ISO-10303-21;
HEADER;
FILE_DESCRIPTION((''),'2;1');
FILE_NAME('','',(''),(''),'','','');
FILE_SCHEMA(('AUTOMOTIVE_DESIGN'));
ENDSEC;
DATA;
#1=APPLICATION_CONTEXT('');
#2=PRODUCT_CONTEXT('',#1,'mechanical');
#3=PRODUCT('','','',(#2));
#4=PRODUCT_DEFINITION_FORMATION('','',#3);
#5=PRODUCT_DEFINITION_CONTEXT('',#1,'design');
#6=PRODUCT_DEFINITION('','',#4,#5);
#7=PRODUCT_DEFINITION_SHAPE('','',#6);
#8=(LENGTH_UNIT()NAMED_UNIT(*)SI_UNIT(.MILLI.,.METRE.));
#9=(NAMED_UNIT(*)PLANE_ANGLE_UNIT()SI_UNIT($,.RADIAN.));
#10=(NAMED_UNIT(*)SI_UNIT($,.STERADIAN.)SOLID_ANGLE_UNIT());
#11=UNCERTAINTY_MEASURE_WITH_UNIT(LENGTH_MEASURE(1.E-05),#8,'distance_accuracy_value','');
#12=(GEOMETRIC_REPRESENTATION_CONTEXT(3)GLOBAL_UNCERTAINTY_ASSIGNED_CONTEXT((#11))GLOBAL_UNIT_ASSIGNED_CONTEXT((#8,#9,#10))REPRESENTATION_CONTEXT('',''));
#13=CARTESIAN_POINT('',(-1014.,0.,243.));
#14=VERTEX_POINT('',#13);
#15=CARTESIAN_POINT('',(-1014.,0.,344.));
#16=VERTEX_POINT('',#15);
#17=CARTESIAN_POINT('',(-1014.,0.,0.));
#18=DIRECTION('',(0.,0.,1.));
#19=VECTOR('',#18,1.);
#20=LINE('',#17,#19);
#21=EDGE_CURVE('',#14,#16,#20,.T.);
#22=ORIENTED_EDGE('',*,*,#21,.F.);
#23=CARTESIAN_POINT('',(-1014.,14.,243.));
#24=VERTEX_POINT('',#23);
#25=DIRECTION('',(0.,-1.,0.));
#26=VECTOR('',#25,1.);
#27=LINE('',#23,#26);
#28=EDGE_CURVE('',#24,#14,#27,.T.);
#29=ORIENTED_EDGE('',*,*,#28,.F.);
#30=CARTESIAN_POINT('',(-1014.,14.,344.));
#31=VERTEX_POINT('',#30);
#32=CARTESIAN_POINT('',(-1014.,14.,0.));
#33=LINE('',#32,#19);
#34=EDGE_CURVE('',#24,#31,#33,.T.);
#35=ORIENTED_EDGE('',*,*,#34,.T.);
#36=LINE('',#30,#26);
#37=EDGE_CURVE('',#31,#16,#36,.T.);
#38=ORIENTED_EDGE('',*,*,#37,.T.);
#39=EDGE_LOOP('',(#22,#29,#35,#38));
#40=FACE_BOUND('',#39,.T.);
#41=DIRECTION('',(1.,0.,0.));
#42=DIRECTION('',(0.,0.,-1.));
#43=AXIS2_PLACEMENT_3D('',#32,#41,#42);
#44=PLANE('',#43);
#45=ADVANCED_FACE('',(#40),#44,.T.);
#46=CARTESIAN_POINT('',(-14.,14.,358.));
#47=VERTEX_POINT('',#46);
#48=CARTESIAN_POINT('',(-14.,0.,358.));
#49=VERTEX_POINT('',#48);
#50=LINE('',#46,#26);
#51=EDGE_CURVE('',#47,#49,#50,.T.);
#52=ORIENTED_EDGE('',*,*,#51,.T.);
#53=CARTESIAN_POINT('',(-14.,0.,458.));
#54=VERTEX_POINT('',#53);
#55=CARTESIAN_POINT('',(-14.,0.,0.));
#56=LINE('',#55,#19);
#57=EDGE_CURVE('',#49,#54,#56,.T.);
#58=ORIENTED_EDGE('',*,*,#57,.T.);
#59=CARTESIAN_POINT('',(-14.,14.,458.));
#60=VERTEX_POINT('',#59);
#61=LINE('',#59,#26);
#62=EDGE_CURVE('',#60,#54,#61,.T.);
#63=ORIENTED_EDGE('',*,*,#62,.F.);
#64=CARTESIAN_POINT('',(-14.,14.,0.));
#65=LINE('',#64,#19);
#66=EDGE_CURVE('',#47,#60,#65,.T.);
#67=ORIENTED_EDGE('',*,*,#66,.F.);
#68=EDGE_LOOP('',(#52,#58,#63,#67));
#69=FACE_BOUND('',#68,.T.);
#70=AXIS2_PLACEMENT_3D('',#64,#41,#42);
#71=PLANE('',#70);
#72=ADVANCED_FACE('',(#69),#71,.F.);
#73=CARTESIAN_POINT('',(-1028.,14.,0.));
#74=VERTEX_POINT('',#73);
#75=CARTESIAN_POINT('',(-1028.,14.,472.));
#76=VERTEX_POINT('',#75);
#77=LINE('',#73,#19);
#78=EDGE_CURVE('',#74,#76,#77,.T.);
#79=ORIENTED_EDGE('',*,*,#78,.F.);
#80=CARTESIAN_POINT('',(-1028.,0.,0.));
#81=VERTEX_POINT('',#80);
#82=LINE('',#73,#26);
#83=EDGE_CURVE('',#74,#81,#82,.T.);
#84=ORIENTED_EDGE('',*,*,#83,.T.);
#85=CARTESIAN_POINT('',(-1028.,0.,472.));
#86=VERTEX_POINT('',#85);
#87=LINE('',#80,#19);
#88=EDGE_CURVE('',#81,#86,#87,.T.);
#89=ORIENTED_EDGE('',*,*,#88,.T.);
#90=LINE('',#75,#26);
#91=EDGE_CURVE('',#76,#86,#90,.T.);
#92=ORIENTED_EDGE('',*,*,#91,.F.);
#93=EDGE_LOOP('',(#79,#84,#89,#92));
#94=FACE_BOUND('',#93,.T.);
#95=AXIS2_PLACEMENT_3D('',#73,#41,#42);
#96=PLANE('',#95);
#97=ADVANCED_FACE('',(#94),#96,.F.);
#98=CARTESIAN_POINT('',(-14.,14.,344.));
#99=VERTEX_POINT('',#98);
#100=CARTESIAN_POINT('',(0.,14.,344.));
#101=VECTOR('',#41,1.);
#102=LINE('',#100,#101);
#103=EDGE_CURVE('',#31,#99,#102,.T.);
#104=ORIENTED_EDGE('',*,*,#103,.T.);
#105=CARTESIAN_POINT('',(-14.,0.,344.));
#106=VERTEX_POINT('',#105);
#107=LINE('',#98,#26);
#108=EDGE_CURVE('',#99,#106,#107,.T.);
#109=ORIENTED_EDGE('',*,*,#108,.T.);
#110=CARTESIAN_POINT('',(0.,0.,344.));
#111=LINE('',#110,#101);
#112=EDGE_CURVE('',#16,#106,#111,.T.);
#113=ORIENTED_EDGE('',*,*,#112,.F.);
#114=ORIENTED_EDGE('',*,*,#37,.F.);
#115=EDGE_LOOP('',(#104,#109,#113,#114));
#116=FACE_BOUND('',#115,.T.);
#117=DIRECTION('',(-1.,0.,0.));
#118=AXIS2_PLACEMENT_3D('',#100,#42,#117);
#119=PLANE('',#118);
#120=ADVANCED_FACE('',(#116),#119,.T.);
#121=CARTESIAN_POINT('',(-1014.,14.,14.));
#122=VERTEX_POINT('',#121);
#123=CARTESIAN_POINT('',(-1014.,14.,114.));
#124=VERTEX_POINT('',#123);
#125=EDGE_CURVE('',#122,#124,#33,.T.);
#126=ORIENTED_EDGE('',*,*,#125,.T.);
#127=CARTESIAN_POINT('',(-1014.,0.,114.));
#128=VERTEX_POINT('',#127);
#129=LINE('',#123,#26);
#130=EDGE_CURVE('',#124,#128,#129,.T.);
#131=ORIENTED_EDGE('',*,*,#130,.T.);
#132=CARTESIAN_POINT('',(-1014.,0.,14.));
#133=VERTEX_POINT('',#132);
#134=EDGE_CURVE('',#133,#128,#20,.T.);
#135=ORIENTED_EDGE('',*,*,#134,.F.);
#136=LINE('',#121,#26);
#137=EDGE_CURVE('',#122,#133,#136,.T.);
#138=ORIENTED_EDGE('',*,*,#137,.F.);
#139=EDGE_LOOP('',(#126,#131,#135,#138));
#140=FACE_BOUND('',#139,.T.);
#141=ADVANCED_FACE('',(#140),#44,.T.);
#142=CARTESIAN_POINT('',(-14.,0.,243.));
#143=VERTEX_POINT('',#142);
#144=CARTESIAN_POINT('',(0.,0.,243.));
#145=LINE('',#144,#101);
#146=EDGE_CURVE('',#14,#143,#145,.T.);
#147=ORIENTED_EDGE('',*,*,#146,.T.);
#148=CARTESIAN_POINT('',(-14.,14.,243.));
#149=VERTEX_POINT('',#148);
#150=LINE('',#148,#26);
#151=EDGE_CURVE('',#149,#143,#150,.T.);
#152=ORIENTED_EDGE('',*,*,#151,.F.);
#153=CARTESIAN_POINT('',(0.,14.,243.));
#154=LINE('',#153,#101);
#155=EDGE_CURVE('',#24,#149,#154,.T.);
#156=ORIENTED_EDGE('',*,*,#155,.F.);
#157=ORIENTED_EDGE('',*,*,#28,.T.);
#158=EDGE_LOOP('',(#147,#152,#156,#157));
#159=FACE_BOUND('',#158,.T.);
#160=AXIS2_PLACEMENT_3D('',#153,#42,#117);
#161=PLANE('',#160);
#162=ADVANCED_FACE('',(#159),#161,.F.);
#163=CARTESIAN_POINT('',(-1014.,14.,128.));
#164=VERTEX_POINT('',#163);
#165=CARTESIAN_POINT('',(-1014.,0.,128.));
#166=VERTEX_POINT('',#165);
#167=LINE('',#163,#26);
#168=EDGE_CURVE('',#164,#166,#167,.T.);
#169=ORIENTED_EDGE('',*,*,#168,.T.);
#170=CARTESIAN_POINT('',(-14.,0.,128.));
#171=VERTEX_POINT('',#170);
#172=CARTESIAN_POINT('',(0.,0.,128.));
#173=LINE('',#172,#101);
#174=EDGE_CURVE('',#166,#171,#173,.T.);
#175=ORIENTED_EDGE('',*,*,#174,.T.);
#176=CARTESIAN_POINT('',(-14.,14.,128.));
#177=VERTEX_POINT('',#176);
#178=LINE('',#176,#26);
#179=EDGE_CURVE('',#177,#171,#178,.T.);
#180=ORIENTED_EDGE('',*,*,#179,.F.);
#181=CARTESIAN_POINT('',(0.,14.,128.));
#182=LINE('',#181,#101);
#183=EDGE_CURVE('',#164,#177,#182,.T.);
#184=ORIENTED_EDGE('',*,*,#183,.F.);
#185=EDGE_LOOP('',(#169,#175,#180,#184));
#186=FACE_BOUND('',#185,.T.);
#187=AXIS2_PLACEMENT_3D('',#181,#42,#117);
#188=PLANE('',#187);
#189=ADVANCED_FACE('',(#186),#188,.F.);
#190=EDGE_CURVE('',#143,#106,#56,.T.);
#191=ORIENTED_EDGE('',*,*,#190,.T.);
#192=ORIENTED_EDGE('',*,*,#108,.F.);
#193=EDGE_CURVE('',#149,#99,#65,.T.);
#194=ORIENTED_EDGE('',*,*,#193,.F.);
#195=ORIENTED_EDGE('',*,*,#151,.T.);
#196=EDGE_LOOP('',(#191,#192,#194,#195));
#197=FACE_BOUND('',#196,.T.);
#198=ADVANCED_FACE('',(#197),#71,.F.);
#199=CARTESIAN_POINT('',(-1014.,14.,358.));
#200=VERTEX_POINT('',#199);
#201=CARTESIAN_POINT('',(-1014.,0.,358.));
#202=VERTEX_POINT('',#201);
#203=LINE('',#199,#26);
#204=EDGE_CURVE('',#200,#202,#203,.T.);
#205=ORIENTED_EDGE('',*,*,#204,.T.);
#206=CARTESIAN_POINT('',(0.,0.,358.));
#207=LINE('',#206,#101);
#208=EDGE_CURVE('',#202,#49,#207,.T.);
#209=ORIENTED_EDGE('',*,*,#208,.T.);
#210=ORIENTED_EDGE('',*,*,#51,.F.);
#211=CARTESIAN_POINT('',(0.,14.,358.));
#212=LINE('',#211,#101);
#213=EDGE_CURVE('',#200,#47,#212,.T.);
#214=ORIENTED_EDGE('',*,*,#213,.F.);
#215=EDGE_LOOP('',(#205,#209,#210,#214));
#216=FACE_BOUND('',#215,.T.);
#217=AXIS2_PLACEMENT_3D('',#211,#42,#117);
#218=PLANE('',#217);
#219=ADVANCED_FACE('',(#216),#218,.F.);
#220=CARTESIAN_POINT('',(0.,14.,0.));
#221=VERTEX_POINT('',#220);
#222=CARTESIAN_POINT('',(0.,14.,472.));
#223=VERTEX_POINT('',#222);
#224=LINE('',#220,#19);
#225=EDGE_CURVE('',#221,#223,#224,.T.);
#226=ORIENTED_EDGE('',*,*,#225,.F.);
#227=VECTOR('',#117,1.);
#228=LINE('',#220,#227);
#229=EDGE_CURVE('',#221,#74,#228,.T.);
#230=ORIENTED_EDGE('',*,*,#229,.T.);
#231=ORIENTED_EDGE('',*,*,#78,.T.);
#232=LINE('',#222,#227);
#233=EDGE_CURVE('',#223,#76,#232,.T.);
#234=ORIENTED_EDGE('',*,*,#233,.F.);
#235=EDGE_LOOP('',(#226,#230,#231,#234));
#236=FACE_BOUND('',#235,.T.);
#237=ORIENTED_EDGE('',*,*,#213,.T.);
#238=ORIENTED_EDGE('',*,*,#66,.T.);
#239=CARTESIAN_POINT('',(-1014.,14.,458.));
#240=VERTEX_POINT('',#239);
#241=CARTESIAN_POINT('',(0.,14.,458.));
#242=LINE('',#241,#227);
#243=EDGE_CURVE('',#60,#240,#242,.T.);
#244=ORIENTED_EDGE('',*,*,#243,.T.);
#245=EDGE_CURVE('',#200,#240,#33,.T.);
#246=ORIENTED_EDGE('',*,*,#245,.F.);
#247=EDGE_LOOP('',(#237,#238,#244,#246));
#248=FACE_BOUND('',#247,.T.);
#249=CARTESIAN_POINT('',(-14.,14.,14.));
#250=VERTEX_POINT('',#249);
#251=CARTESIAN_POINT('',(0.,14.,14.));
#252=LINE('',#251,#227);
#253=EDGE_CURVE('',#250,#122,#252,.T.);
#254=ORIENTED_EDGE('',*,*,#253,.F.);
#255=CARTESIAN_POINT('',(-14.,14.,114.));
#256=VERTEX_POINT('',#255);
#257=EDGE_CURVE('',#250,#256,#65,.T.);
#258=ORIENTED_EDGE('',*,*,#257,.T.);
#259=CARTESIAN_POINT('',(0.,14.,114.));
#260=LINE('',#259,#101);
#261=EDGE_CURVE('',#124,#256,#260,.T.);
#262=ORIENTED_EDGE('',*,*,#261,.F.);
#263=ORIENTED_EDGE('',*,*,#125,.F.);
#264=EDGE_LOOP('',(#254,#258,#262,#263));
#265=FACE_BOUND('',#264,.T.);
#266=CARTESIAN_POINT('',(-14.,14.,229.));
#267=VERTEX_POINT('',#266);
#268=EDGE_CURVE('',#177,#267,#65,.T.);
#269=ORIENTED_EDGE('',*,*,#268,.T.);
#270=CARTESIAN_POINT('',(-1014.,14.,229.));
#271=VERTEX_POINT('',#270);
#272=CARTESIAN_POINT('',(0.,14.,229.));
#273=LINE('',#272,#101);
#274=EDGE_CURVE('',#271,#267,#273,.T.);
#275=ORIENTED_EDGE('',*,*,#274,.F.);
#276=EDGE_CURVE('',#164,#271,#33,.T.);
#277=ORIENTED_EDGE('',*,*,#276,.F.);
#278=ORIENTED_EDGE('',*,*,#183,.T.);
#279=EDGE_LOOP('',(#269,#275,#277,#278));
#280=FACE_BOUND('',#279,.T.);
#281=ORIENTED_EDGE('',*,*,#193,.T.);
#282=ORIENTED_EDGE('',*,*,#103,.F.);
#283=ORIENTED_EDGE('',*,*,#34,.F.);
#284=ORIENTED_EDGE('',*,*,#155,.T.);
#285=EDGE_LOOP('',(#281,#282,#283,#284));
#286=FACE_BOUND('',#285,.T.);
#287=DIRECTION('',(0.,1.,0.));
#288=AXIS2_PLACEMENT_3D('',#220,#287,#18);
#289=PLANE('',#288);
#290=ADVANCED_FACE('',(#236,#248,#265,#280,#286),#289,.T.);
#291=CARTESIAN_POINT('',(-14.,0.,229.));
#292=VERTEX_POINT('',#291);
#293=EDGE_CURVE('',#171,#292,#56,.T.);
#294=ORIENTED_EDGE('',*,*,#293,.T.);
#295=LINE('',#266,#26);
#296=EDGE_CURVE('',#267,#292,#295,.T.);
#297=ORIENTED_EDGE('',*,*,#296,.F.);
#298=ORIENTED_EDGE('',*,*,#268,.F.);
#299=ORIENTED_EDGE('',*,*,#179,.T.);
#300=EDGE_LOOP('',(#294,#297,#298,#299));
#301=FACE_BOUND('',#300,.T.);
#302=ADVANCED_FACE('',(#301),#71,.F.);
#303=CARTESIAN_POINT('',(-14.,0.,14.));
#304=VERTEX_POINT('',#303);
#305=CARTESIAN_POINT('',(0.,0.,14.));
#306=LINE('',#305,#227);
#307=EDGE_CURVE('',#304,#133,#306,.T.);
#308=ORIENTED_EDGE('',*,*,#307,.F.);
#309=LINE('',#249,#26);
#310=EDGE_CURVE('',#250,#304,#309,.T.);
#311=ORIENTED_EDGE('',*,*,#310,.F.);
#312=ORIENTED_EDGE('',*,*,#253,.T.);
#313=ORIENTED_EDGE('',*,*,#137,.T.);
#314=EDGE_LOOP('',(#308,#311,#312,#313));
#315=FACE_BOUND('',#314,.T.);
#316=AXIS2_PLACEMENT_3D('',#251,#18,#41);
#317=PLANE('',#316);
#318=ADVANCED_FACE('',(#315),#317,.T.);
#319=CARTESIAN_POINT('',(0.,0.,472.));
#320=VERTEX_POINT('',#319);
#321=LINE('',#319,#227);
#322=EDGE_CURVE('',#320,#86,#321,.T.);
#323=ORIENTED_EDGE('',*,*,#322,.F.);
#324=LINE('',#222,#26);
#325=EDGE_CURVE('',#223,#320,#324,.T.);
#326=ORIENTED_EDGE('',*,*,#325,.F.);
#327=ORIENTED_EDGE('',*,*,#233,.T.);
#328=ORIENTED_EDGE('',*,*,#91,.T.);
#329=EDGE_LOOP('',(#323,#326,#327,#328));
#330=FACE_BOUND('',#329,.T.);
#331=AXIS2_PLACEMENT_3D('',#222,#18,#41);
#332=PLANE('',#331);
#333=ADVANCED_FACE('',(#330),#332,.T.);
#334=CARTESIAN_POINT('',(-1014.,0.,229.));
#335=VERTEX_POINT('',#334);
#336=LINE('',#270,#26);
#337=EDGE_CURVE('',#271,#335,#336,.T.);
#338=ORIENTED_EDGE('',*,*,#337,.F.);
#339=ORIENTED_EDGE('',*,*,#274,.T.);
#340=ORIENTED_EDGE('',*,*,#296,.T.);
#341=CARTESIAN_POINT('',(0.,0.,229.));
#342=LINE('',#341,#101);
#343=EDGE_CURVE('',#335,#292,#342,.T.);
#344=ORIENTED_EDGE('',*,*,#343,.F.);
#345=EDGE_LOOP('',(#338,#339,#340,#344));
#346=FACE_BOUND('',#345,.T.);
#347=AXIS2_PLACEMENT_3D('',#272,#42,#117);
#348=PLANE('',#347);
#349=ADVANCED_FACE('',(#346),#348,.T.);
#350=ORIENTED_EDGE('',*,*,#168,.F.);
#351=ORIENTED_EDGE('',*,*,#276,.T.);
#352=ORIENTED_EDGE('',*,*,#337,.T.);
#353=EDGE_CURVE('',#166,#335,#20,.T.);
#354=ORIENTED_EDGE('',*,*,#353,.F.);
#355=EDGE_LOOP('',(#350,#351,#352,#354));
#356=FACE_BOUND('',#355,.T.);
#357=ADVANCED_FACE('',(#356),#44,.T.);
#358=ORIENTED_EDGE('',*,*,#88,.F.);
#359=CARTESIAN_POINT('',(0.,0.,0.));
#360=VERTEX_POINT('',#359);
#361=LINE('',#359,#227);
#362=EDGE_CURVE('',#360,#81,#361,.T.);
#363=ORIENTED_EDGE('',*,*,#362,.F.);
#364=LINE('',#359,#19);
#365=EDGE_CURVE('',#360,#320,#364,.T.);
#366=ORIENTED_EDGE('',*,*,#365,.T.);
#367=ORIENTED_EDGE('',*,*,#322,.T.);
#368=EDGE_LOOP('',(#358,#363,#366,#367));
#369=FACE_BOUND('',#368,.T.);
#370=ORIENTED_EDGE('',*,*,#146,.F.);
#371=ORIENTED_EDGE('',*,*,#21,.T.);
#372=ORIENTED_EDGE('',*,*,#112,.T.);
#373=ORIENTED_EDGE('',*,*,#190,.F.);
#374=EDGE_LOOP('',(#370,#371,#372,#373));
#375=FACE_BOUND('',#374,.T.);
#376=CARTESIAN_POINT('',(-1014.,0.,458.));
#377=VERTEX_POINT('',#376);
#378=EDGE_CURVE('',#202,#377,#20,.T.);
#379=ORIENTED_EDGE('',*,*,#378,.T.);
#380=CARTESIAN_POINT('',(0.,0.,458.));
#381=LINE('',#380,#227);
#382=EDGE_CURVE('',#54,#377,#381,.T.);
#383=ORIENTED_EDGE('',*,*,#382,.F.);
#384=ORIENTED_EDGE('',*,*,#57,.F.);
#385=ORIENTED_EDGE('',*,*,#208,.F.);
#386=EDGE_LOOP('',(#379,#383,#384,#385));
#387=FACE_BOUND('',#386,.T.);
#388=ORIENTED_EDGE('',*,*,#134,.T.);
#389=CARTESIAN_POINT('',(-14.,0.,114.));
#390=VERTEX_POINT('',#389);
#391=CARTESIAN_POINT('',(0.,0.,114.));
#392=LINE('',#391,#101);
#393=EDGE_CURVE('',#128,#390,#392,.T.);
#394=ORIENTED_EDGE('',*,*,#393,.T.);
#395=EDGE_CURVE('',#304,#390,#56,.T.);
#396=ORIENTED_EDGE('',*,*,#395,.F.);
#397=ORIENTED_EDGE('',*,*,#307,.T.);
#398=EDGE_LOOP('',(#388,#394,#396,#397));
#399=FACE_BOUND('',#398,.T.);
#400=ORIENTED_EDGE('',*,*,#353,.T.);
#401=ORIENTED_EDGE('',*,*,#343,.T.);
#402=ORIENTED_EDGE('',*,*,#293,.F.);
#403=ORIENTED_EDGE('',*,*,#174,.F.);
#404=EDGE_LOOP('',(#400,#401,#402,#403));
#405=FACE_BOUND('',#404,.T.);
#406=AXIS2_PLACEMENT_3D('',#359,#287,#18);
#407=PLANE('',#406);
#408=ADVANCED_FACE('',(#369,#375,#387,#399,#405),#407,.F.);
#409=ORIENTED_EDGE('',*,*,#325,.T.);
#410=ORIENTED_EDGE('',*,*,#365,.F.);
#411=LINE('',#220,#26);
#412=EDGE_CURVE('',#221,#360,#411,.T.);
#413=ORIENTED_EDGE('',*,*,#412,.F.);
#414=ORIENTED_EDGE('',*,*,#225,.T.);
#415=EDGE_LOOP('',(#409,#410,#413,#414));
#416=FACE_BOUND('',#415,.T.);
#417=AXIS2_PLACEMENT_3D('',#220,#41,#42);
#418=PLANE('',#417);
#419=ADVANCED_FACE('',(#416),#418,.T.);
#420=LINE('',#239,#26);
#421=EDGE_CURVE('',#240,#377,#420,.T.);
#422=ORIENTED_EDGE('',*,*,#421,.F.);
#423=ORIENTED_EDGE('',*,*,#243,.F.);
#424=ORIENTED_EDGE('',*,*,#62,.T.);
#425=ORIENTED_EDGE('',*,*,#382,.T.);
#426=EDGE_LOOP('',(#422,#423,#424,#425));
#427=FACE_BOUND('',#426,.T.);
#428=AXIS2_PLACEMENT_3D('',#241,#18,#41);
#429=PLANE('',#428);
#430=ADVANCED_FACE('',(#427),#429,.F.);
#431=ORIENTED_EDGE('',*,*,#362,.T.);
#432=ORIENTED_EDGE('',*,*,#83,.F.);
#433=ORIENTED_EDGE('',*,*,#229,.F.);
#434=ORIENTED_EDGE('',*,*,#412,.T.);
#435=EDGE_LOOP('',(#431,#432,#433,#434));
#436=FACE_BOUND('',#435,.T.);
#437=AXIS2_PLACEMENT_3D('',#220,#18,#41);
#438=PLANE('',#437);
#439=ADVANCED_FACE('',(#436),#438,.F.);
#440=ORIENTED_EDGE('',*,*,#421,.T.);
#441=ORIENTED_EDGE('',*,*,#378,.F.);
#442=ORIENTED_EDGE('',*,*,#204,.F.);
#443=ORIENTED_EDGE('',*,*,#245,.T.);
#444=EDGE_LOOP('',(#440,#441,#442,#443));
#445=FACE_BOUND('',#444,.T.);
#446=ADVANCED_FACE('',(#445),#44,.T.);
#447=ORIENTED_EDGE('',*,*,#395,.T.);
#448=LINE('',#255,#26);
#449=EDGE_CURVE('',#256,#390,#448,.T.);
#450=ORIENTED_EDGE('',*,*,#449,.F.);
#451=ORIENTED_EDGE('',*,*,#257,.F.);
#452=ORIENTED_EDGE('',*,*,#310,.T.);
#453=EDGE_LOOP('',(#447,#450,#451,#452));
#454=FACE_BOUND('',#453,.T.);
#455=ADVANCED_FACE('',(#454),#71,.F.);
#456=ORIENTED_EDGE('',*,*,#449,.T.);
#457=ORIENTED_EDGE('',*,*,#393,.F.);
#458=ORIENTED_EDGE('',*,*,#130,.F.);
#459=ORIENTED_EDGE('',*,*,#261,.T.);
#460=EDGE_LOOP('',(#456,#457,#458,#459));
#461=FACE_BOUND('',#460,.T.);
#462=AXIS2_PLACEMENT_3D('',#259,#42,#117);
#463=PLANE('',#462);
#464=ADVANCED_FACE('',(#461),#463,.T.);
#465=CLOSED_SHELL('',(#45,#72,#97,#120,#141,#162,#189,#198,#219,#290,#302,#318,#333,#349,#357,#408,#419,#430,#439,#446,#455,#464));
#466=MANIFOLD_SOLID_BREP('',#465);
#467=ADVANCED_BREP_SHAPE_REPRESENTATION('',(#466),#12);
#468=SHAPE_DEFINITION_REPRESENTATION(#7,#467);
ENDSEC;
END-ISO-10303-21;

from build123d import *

# Parameters (mm, degrees)
SKETCH1_W           = 1028
SKETCH1_H           = 472
SKETCH1_W_2         = 1000
SKETCH1_H_2         = 100
SKETCH1_H_3         = 101
BOSS_EXTRUDE1_DEPTH = 14


with BuildPart() as part:
    # Sketch1 → Boss-Extrude1 (new body)
    with BuildSketch(Plane(origin=(0, 0, 0), x_dir=(1, 0, 0), z_dir=(0, 1, 0))):
        with Locations((-514, -236)):
            Rectangle(SKETCH1_W, SKETCH1_H)
        with Locations((-514, -64)):
            Rectangle(SKETCH1_W_2, SKETCH1_H_2, mode=Mode.SUBTRACT)
        with Locations((-514, -408)):
            Rectangle(SKETCH1_W_2, SKETCH1_H_2, mode=Mode.SUBTRACT)
        with Locations((-514, -178.5)):
            Rectangle(SKETCH1_W_2, SKETCH1_H_3, mode=Mode.SUBTRACT)
        with Locations((-514, -293.5)):
            Rectangle(SKETCH1_W_2, SKETCH1_H_3, mode=Mode.SUBTRACT)
    extrude(amount=BOSS_EXTRUDE1_DEPTH)


solid = part.part
